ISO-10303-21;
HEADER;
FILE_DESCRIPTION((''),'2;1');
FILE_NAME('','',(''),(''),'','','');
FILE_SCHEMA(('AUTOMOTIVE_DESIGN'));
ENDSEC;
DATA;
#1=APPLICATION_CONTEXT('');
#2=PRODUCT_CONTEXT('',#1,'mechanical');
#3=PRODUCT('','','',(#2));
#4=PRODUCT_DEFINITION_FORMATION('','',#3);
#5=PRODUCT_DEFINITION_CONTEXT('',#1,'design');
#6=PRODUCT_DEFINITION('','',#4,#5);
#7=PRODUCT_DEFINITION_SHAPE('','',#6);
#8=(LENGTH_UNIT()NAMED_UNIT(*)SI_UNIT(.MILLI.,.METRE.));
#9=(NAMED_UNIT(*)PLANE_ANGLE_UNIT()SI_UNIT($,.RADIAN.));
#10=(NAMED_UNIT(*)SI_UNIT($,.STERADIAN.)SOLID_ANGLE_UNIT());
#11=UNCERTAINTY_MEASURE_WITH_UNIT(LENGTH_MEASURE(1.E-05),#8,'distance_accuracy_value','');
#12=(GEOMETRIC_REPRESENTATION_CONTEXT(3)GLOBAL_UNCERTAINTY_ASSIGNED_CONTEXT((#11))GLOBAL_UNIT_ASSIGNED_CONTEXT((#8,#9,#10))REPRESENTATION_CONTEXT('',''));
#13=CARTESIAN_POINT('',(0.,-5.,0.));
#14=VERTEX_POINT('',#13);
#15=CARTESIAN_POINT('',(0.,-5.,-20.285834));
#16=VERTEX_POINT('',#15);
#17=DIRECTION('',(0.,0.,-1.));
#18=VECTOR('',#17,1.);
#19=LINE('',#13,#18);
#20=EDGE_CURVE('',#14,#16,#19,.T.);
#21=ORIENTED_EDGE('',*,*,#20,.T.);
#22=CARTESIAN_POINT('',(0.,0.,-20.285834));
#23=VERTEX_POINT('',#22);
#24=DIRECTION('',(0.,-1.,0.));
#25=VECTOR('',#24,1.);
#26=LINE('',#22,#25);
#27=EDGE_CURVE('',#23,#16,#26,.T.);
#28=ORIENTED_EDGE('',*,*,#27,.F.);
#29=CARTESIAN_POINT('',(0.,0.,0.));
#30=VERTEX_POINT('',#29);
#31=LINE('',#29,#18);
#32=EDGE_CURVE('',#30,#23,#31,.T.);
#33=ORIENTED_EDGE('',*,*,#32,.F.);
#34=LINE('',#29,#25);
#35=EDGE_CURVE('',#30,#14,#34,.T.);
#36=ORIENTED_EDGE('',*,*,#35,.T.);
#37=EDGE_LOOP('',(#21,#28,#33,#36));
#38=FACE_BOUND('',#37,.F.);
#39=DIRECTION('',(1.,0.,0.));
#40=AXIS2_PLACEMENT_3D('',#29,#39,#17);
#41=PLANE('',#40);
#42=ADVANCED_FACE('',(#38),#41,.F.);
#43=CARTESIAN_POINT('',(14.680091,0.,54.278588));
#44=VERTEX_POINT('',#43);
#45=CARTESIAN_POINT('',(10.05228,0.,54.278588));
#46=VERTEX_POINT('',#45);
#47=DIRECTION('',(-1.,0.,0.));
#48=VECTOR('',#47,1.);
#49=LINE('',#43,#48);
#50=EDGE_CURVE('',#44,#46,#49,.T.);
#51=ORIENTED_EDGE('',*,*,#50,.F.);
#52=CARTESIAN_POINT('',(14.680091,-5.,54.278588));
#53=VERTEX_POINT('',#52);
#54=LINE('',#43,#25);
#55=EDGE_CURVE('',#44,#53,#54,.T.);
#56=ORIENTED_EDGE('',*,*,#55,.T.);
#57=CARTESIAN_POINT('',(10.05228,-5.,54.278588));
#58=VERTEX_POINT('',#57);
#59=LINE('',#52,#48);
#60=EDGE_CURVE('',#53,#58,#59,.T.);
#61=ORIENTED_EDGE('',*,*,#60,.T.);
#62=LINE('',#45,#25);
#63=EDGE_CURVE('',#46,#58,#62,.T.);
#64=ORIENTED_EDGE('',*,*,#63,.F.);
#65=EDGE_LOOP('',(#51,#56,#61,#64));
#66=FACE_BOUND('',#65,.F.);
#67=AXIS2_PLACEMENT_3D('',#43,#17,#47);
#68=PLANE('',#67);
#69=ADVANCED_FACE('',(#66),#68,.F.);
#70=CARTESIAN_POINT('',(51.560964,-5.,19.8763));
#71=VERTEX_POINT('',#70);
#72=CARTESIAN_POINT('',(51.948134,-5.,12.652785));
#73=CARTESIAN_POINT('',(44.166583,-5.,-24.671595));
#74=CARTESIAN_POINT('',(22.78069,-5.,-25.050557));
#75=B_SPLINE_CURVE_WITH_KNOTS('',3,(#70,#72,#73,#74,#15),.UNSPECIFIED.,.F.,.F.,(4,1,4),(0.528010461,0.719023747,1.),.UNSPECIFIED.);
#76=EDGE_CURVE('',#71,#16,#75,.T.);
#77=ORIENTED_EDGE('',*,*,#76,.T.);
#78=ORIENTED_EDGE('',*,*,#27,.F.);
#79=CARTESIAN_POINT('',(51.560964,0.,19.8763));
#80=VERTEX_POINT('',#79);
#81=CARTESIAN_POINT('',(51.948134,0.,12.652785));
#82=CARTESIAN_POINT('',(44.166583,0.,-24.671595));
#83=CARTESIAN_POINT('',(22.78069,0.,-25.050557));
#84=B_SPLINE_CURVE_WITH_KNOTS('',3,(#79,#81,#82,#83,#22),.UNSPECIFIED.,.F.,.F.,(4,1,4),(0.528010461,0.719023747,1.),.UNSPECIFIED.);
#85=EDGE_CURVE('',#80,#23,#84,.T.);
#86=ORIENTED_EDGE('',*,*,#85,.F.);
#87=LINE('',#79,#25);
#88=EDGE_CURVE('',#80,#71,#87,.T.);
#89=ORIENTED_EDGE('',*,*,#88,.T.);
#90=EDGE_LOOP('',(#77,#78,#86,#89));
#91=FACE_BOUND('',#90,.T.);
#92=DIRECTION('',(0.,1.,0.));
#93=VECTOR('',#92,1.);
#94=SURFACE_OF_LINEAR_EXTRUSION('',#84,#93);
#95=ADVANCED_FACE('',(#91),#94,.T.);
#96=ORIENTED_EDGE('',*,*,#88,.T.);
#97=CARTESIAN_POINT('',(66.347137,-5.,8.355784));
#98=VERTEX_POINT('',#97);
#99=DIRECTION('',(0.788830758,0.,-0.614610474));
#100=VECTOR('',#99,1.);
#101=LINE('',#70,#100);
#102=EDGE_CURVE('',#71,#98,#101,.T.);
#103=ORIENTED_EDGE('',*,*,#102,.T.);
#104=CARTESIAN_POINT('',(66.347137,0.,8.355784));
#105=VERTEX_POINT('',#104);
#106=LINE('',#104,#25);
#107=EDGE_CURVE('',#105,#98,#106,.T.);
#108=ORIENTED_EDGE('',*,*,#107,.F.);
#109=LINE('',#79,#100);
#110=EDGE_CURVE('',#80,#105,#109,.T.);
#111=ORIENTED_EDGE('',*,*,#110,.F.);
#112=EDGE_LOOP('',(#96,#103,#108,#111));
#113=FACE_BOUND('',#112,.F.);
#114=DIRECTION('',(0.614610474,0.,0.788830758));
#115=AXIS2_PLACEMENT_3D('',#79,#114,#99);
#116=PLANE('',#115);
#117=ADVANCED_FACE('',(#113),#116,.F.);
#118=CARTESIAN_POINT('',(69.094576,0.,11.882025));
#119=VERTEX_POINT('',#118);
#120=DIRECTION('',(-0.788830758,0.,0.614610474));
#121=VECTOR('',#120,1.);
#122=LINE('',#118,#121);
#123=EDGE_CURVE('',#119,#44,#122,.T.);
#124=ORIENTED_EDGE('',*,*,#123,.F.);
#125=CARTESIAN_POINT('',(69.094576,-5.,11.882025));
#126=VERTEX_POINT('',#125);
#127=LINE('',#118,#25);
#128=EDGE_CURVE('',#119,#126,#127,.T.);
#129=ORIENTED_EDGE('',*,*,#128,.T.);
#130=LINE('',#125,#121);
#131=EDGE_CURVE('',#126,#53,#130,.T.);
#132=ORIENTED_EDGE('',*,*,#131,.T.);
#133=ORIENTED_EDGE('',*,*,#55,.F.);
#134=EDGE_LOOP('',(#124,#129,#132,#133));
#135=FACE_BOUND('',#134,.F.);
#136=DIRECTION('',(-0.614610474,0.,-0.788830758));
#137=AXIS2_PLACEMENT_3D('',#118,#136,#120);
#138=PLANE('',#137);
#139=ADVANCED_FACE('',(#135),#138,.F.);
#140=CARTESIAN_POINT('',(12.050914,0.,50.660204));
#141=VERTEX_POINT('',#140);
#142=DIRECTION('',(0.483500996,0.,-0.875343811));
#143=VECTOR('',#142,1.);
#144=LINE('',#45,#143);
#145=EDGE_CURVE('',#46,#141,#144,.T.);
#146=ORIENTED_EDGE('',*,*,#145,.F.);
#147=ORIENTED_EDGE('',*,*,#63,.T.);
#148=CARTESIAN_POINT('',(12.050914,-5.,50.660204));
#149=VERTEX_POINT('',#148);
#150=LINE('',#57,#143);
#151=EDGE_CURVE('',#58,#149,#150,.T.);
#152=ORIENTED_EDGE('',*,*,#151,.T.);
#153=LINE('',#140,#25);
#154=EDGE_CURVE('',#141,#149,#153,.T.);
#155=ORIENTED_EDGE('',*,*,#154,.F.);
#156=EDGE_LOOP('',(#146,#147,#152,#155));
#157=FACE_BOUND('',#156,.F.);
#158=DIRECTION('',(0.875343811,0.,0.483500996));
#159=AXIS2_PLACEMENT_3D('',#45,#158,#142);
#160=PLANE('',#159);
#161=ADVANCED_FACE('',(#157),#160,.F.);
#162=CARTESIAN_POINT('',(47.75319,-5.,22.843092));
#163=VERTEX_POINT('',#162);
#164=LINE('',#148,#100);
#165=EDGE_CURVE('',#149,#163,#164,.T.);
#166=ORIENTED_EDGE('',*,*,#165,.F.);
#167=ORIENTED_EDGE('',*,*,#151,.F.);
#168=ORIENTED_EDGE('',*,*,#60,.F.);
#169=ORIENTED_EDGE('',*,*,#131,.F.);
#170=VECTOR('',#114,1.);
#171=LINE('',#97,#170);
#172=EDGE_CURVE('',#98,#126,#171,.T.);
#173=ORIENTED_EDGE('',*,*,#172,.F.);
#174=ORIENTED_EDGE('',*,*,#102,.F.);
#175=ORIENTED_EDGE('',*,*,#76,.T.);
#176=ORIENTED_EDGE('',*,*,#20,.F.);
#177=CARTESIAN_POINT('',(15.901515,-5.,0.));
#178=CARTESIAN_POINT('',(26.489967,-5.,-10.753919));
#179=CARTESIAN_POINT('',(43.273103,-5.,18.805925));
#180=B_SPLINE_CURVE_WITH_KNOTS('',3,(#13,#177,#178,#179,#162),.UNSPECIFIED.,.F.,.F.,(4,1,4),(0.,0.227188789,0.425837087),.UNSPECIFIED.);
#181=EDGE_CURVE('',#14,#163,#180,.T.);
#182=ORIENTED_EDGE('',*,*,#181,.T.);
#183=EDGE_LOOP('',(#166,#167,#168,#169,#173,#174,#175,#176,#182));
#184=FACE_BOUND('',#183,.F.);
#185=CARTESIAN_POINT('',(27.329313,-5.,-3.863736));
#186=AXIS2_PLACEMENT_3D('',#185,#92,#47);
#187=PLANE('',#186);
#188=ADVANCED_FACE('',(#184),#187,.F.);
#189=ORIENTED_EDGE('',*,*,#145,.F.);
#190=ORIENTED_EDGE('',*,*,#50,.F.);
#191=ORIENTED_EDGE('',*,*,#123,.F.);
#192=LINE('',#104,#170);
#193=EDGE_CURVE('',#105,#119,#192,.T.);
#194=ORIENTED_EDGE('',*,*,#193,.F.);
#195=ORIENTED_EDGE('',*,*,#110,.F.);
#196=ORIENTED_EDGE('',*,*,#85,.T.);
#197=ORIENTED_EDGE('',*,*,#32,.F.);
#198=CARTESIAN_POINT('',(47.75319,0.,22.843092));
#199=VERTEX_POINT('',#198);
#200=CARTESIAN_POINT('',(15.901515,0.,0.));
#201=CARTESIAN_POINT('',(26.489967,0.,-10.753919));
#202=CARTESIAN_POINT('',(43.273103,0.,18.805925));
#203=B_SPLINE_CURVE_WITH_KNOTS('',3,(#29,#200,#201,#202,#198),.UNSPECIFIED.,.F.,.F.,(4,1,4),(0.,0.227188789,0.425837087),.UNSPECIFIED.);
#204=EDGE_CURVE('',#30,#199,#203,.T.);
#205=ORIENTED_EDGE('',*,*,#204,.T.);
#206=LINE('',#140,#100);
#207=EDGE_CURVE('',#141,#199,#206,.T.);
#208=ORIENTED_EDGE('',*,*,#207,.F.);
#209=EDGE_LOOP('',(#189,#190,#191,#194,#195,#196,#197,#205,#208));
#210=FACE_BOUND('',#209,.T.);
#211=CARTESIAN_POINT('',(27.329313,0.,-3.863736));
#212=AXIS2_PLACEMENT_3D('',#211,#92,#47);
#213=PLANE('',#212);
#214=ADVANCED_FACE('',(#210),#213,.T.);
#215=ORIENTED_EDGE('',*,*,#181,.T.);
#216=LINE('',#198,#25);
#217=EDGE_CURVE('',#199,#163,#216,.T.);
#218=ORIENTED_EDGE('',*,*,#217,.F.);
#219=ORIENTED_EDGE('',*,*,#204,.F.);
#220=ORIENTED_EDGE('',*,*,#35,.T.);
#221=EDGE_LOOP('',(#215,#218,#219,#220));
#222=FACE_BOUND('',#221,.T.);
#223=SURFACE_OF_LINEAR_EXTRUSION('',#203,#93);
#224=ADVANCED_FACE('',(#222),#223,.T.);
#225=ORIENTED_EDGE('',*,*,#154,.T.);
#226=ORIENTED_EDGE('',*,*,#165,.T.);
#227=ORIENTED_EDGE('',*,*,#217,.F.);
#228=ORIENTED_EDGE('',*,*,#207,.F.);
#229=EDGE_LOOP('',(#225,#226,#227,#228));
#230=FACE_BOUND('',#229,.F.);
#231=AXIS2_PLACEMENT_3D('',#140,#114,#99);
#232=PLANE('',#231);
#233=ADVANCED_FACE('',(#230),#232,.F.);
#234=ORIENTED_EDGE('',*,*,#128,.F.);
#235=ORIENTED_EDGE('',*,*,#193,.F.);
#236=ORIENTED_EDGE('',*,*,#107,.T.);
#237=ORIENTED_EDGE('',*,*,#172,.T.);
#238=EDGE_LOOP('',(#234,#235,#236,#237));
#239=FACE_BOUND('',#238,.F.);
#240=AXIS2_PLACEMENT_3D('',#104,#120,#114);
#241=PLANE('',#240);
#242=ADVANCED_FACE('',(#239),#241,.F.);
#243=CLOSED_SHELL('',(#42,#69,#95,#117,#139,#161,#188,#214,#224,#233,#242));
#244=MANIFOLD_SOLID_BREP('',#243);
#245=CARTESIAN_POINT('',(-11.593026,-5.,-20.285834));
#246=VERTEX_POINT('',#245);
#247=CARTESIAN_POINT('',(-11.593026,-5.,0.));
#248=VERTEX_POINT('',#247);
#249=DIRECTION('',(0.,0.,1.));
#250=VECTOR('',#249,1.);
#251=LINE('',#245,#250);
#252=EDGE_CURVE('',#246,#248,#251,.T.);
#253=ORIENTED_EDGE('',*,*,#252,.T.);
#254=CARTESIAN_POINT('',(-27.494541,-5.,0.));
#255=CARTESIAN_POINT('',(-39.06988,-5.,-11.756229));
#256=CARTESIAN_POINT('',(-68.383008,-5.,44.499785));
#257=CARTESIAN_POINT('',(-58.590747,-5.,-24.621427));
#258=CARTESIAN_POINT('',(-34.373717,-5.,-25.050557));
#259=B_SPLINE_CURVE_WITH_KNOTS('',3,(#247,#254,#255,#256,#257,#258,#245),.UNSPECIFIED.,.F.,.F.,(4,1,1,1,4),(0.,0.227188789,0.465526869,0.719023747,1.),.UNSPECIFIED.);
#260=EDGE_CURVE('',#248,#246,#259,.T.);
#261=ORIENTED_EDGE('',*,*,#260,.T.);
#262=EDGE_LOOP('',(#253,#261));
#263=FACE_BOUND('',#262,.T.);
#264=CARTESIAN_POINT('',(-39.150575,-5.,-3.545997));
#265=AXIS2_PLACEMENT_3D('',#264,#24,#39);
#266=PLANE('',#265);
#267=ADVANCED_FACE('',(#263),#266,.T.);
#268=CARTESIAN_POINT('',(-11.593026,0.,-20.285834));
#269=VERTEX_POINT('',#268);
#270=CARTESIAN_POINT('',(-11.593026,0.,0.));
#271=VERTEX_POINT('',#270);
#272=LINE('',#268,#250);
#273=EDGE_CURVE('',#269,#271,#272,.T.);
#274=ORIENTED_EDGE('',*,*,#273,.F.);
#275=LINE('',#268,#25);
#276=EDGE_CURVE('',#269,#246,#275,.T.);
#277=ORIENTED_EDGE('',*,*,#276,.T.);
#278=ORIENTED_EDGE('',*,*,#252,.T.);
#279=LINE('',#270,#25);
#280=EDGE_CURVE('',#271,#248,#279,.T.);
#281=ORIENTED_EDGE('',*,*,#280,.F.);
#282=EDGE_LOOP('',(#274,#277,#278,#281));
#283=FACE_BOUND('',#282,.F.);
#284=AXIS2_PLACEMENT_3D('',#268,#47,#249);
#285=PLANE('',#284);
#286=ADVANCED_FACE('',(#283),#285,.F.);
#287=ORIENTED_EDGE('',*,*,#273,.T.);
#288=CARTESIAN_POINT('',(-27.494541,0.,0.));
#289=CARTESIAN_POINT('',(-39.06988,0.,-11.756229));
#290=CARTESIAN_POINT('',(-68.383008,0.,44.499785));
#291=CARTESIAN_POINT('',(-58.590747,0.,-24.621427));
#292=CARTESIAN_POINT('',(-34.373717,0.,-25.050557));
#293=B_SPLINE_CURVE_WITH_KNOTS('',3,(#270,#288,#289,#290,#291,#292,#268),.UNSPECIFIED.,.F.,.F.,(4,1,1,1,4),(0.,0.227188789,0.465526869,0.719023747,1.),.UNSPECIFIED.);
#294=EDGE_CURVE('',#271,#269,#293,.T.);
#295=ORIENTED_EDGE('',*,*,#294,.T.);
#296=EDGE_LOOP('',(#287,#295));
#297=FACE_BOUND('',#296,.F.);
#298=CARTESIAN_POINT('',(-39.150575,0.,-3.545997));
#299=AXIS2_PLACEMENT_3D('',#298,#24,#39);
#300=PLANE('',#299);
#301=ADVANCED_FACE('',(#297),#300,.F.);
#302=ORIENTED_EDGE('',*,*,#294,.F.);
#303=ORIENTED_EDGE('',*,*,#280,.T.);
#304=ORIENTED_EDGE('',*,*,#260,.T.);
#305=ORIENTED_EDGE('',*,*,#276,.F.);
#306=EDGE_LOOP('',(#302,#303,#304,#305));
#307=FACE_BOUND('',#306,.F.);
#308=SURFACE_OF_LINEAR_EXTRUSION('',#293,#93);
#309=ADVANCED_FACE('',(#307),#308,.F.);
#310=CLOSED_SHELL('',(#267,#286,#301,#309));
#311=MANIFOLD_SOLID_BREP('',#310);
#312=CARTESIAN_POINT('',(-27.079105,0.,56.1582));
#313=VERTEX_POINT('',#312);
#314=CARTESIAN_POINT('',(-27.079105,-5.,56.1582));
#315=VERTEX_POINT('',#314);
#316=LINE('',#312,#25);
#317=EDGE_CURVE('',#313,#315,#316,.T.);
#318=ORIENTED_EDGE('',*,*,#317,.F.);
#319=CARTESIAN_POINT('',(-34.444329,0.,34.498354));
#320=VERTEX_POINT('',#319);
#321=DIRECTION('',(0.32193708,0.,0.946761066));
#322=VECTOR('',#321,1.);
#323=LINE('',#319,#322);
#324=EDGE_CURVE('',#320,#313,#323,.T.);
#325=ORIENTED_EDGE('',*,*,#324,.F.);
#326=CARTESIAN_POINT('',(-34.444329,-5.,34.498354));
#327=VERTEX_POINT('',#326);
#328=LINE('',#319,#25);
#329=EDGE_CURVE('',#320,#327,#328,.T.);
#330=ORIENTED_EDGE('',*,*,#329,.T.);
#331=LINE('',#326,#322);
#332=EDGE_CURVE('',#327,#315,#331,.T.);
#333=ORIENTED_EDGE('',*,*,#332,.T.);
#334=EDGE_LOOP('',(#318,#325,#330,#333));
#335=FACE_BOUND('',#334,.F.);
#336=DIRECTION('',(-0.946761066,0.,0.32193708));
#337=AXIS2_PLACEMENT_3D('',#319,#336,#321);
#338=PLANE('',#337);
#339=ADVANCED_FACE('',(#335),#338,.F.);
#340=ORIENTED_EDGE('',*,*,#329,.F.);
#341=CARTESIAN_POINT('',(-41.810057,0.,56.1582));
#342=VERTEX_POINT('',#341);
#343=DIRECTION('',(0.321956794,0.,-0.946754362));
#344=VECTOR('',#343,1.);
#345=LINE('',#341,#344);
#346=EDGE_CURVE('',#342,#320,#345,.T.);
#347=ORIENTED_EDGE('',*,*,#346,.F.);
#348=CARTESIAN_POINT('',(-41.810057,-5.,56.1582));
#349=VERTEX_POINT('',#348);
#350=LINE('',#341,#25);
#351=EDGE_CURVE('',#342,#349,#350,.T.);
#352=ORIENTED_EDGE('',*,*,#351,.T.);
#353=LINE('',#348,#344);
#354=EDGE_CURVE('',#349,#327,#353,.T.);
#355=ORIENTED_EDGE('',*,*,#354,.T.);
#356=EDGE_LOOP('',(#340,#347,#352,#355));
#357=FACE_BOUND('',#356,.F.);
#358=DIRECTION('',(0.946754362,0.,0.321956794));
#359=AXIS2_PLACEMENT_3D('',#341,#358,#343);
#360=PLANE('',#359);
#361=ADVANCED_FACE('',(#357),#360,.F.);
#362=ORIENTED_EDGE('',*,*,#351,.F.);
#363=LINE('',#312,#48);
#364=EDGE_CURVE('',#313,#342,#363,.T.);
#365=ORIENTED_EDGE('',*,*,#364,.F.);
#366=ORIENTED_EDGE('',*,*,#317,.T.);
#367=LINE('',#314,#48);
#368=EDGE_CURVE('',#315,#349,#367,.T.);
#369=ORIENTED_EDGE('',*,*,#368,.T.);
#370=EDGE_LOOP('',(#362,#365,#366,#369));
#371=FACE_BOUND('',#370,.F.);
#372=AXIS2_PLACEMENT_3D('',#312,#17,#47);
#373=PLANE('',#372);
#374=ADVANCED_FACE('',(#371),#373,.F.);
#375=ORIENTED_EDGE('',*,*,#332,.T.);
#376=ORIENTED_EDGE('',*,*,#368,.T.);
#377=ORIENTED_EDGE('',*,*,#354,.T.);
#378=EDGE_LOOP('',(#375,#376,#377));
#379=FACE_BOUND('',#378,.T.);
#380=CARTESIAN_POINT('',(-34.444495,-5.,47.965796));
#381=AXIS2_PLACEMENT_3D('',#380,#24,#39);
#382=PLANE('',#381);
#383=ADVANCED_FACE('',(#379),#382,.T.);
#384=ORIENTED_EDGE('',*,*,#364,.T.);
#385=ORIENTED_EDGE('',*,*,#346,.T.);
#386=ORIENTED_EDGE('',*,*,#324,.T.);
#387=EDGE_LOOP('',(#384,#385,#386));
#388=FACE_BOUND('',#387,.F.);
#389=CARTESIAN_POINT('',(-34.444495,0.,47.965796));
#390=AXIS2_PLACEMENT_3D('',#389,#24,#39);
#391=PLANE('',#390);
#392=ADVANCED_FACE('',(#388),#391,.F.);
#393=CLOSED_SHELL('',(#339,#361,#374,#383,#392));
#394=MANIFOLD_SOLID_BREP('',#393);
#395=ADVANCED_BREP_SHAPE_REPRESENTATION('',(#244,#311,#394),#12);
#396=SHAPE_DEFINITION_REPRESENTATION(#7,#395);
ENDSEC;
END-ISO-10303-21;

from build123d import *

# Parameters (mm, degrees)
F1_DEPTH = 5


with BuildPart() as f1:
    # F0 (on Front) → F1 (new body)
    with BuildSketch(Plane.XZ):
        with BuildLine():
            add(Edge.make_bspline(
                [(0, 0), (15.9015151371, 0), (26.4899665265, -10.7539190788), (43.2731033817, 18.8059254272), (47.753190481, 22.8430924697)],
                knots=[0, 0, 0, 0, 0.2271887895, 0.425837087, 0.425837087, 0.425837087, 0.425837087], degree=3))
            Line((0, 0), (0, -20.2858335729))
            add(Edge.make_bspline(
                [(51.5609638692, 19.8762996779), (51.9481337767, 12.6527851468), (44.16658315, -24.6715949147), (22.7806904614, -25.0505565737), (0, -20.2858335729)],
                knots=[0.5280104609, 0.5280104609, 0.5280104609, 0.5280104609, 0.7190237466, 1, 1, 1, 1], degree=3))
            Line((51.5609638692, 19.8762996779), (47.753190481, 22.8430924697))
        make_face()
        with BuildLine():
            Line((12.0509136468, 50.6602041423), (47.753190481, 22.8430924697))
            add(Edge.make_bspline(
                [(47.753190481, 22.8430924697), (48.6483085535, 23.649715444), (50.6084428251, 24.7240186276), (51.4343142158, 22.2392302507), (51.5609638692, 19.8762996779)],
                knots=[0.425837087, 0.425837087, 0.425837087, 0.425837087, 0.4655268692, 0.5280104609, 0.5280104609, 0.5280104609, 0.5280104609], degree=3))
            Line((51.5609638692, 19.8762996779), (66.3471370935, 8.3557842299))
            Line((66.3471370935, 8.3557842299), (69.0945762663, 11.8820250232))
            Line((69.0945762663, 11.8820250232), (14.6800910727, 54.2785875245))
            Line((14.6800910727, 54.2785875245), (10.0522795692, 54.2785875245))
            Line((10.0522795692, 54.2785875245), (12.0509136468, 50.6602041423))
        make_face()
        with BuildLine():
            add(Edge.make_bspline(
                [(47.753190481, 22.8430924697), (48.6483085535, 23.649715444), (50.6084428251, 24.7240186276), (51.4343142158, 22.2392302507), (51.5609638692, 19.8762996779)],
                knots=[0.425837087, 0.425837087, 0.425837087, 0.425837087, 0.4655268692, 0.5280104609, 0.5280104609, 0.5280104609, 0.5280104609], degree=3))
            Line((47.753190481, 22.8430924697), (51.5609638692, 19.8762996779))
        make_face()
    extrude(amount=F1_DEPTH)


with BuildPart() as f1b:
    # F0 (on Front) → F1, piece 2 (new body)
    with BuildSketch(Plane.XZ):
        with BuildLine():
            Line((-11.593026109, -20.2858335729), (-11.593026109, 0))
            add(Edge.make_bspline(
                [(-11.593026109, 0), (-27.4945412461, 0), (-39.0698802089, -11.7562289268), (-68.3830079959, 44.4997850165), (-58.5907469778, -24.6214266724), (-34.3737165704, -25.0505565737), (-11.593026109, -20.2858335729)],
                knots=[0, 0, 0, 0, 0.2271887895, 0.4655268692, 0.7190237466, 1, 1, 1, 1], degree=3))
        make_face()
    extrude(amount=F1_DEPTH)


with BuildPart() as f1c:
    # F0 (on Front) → F1, piece 3 (new body)
    with BuildSketch(Plane.XZ):
        Polygon((-27.0791046494, 56.1581999063), (-41.8100565533, 56.1581999063), (-34.4443290206, 34.4983536023), align=None)
    extrude(amount=F1_DEPTH)


solid = Compound([f1.part, f1b.part, f1c.part])
